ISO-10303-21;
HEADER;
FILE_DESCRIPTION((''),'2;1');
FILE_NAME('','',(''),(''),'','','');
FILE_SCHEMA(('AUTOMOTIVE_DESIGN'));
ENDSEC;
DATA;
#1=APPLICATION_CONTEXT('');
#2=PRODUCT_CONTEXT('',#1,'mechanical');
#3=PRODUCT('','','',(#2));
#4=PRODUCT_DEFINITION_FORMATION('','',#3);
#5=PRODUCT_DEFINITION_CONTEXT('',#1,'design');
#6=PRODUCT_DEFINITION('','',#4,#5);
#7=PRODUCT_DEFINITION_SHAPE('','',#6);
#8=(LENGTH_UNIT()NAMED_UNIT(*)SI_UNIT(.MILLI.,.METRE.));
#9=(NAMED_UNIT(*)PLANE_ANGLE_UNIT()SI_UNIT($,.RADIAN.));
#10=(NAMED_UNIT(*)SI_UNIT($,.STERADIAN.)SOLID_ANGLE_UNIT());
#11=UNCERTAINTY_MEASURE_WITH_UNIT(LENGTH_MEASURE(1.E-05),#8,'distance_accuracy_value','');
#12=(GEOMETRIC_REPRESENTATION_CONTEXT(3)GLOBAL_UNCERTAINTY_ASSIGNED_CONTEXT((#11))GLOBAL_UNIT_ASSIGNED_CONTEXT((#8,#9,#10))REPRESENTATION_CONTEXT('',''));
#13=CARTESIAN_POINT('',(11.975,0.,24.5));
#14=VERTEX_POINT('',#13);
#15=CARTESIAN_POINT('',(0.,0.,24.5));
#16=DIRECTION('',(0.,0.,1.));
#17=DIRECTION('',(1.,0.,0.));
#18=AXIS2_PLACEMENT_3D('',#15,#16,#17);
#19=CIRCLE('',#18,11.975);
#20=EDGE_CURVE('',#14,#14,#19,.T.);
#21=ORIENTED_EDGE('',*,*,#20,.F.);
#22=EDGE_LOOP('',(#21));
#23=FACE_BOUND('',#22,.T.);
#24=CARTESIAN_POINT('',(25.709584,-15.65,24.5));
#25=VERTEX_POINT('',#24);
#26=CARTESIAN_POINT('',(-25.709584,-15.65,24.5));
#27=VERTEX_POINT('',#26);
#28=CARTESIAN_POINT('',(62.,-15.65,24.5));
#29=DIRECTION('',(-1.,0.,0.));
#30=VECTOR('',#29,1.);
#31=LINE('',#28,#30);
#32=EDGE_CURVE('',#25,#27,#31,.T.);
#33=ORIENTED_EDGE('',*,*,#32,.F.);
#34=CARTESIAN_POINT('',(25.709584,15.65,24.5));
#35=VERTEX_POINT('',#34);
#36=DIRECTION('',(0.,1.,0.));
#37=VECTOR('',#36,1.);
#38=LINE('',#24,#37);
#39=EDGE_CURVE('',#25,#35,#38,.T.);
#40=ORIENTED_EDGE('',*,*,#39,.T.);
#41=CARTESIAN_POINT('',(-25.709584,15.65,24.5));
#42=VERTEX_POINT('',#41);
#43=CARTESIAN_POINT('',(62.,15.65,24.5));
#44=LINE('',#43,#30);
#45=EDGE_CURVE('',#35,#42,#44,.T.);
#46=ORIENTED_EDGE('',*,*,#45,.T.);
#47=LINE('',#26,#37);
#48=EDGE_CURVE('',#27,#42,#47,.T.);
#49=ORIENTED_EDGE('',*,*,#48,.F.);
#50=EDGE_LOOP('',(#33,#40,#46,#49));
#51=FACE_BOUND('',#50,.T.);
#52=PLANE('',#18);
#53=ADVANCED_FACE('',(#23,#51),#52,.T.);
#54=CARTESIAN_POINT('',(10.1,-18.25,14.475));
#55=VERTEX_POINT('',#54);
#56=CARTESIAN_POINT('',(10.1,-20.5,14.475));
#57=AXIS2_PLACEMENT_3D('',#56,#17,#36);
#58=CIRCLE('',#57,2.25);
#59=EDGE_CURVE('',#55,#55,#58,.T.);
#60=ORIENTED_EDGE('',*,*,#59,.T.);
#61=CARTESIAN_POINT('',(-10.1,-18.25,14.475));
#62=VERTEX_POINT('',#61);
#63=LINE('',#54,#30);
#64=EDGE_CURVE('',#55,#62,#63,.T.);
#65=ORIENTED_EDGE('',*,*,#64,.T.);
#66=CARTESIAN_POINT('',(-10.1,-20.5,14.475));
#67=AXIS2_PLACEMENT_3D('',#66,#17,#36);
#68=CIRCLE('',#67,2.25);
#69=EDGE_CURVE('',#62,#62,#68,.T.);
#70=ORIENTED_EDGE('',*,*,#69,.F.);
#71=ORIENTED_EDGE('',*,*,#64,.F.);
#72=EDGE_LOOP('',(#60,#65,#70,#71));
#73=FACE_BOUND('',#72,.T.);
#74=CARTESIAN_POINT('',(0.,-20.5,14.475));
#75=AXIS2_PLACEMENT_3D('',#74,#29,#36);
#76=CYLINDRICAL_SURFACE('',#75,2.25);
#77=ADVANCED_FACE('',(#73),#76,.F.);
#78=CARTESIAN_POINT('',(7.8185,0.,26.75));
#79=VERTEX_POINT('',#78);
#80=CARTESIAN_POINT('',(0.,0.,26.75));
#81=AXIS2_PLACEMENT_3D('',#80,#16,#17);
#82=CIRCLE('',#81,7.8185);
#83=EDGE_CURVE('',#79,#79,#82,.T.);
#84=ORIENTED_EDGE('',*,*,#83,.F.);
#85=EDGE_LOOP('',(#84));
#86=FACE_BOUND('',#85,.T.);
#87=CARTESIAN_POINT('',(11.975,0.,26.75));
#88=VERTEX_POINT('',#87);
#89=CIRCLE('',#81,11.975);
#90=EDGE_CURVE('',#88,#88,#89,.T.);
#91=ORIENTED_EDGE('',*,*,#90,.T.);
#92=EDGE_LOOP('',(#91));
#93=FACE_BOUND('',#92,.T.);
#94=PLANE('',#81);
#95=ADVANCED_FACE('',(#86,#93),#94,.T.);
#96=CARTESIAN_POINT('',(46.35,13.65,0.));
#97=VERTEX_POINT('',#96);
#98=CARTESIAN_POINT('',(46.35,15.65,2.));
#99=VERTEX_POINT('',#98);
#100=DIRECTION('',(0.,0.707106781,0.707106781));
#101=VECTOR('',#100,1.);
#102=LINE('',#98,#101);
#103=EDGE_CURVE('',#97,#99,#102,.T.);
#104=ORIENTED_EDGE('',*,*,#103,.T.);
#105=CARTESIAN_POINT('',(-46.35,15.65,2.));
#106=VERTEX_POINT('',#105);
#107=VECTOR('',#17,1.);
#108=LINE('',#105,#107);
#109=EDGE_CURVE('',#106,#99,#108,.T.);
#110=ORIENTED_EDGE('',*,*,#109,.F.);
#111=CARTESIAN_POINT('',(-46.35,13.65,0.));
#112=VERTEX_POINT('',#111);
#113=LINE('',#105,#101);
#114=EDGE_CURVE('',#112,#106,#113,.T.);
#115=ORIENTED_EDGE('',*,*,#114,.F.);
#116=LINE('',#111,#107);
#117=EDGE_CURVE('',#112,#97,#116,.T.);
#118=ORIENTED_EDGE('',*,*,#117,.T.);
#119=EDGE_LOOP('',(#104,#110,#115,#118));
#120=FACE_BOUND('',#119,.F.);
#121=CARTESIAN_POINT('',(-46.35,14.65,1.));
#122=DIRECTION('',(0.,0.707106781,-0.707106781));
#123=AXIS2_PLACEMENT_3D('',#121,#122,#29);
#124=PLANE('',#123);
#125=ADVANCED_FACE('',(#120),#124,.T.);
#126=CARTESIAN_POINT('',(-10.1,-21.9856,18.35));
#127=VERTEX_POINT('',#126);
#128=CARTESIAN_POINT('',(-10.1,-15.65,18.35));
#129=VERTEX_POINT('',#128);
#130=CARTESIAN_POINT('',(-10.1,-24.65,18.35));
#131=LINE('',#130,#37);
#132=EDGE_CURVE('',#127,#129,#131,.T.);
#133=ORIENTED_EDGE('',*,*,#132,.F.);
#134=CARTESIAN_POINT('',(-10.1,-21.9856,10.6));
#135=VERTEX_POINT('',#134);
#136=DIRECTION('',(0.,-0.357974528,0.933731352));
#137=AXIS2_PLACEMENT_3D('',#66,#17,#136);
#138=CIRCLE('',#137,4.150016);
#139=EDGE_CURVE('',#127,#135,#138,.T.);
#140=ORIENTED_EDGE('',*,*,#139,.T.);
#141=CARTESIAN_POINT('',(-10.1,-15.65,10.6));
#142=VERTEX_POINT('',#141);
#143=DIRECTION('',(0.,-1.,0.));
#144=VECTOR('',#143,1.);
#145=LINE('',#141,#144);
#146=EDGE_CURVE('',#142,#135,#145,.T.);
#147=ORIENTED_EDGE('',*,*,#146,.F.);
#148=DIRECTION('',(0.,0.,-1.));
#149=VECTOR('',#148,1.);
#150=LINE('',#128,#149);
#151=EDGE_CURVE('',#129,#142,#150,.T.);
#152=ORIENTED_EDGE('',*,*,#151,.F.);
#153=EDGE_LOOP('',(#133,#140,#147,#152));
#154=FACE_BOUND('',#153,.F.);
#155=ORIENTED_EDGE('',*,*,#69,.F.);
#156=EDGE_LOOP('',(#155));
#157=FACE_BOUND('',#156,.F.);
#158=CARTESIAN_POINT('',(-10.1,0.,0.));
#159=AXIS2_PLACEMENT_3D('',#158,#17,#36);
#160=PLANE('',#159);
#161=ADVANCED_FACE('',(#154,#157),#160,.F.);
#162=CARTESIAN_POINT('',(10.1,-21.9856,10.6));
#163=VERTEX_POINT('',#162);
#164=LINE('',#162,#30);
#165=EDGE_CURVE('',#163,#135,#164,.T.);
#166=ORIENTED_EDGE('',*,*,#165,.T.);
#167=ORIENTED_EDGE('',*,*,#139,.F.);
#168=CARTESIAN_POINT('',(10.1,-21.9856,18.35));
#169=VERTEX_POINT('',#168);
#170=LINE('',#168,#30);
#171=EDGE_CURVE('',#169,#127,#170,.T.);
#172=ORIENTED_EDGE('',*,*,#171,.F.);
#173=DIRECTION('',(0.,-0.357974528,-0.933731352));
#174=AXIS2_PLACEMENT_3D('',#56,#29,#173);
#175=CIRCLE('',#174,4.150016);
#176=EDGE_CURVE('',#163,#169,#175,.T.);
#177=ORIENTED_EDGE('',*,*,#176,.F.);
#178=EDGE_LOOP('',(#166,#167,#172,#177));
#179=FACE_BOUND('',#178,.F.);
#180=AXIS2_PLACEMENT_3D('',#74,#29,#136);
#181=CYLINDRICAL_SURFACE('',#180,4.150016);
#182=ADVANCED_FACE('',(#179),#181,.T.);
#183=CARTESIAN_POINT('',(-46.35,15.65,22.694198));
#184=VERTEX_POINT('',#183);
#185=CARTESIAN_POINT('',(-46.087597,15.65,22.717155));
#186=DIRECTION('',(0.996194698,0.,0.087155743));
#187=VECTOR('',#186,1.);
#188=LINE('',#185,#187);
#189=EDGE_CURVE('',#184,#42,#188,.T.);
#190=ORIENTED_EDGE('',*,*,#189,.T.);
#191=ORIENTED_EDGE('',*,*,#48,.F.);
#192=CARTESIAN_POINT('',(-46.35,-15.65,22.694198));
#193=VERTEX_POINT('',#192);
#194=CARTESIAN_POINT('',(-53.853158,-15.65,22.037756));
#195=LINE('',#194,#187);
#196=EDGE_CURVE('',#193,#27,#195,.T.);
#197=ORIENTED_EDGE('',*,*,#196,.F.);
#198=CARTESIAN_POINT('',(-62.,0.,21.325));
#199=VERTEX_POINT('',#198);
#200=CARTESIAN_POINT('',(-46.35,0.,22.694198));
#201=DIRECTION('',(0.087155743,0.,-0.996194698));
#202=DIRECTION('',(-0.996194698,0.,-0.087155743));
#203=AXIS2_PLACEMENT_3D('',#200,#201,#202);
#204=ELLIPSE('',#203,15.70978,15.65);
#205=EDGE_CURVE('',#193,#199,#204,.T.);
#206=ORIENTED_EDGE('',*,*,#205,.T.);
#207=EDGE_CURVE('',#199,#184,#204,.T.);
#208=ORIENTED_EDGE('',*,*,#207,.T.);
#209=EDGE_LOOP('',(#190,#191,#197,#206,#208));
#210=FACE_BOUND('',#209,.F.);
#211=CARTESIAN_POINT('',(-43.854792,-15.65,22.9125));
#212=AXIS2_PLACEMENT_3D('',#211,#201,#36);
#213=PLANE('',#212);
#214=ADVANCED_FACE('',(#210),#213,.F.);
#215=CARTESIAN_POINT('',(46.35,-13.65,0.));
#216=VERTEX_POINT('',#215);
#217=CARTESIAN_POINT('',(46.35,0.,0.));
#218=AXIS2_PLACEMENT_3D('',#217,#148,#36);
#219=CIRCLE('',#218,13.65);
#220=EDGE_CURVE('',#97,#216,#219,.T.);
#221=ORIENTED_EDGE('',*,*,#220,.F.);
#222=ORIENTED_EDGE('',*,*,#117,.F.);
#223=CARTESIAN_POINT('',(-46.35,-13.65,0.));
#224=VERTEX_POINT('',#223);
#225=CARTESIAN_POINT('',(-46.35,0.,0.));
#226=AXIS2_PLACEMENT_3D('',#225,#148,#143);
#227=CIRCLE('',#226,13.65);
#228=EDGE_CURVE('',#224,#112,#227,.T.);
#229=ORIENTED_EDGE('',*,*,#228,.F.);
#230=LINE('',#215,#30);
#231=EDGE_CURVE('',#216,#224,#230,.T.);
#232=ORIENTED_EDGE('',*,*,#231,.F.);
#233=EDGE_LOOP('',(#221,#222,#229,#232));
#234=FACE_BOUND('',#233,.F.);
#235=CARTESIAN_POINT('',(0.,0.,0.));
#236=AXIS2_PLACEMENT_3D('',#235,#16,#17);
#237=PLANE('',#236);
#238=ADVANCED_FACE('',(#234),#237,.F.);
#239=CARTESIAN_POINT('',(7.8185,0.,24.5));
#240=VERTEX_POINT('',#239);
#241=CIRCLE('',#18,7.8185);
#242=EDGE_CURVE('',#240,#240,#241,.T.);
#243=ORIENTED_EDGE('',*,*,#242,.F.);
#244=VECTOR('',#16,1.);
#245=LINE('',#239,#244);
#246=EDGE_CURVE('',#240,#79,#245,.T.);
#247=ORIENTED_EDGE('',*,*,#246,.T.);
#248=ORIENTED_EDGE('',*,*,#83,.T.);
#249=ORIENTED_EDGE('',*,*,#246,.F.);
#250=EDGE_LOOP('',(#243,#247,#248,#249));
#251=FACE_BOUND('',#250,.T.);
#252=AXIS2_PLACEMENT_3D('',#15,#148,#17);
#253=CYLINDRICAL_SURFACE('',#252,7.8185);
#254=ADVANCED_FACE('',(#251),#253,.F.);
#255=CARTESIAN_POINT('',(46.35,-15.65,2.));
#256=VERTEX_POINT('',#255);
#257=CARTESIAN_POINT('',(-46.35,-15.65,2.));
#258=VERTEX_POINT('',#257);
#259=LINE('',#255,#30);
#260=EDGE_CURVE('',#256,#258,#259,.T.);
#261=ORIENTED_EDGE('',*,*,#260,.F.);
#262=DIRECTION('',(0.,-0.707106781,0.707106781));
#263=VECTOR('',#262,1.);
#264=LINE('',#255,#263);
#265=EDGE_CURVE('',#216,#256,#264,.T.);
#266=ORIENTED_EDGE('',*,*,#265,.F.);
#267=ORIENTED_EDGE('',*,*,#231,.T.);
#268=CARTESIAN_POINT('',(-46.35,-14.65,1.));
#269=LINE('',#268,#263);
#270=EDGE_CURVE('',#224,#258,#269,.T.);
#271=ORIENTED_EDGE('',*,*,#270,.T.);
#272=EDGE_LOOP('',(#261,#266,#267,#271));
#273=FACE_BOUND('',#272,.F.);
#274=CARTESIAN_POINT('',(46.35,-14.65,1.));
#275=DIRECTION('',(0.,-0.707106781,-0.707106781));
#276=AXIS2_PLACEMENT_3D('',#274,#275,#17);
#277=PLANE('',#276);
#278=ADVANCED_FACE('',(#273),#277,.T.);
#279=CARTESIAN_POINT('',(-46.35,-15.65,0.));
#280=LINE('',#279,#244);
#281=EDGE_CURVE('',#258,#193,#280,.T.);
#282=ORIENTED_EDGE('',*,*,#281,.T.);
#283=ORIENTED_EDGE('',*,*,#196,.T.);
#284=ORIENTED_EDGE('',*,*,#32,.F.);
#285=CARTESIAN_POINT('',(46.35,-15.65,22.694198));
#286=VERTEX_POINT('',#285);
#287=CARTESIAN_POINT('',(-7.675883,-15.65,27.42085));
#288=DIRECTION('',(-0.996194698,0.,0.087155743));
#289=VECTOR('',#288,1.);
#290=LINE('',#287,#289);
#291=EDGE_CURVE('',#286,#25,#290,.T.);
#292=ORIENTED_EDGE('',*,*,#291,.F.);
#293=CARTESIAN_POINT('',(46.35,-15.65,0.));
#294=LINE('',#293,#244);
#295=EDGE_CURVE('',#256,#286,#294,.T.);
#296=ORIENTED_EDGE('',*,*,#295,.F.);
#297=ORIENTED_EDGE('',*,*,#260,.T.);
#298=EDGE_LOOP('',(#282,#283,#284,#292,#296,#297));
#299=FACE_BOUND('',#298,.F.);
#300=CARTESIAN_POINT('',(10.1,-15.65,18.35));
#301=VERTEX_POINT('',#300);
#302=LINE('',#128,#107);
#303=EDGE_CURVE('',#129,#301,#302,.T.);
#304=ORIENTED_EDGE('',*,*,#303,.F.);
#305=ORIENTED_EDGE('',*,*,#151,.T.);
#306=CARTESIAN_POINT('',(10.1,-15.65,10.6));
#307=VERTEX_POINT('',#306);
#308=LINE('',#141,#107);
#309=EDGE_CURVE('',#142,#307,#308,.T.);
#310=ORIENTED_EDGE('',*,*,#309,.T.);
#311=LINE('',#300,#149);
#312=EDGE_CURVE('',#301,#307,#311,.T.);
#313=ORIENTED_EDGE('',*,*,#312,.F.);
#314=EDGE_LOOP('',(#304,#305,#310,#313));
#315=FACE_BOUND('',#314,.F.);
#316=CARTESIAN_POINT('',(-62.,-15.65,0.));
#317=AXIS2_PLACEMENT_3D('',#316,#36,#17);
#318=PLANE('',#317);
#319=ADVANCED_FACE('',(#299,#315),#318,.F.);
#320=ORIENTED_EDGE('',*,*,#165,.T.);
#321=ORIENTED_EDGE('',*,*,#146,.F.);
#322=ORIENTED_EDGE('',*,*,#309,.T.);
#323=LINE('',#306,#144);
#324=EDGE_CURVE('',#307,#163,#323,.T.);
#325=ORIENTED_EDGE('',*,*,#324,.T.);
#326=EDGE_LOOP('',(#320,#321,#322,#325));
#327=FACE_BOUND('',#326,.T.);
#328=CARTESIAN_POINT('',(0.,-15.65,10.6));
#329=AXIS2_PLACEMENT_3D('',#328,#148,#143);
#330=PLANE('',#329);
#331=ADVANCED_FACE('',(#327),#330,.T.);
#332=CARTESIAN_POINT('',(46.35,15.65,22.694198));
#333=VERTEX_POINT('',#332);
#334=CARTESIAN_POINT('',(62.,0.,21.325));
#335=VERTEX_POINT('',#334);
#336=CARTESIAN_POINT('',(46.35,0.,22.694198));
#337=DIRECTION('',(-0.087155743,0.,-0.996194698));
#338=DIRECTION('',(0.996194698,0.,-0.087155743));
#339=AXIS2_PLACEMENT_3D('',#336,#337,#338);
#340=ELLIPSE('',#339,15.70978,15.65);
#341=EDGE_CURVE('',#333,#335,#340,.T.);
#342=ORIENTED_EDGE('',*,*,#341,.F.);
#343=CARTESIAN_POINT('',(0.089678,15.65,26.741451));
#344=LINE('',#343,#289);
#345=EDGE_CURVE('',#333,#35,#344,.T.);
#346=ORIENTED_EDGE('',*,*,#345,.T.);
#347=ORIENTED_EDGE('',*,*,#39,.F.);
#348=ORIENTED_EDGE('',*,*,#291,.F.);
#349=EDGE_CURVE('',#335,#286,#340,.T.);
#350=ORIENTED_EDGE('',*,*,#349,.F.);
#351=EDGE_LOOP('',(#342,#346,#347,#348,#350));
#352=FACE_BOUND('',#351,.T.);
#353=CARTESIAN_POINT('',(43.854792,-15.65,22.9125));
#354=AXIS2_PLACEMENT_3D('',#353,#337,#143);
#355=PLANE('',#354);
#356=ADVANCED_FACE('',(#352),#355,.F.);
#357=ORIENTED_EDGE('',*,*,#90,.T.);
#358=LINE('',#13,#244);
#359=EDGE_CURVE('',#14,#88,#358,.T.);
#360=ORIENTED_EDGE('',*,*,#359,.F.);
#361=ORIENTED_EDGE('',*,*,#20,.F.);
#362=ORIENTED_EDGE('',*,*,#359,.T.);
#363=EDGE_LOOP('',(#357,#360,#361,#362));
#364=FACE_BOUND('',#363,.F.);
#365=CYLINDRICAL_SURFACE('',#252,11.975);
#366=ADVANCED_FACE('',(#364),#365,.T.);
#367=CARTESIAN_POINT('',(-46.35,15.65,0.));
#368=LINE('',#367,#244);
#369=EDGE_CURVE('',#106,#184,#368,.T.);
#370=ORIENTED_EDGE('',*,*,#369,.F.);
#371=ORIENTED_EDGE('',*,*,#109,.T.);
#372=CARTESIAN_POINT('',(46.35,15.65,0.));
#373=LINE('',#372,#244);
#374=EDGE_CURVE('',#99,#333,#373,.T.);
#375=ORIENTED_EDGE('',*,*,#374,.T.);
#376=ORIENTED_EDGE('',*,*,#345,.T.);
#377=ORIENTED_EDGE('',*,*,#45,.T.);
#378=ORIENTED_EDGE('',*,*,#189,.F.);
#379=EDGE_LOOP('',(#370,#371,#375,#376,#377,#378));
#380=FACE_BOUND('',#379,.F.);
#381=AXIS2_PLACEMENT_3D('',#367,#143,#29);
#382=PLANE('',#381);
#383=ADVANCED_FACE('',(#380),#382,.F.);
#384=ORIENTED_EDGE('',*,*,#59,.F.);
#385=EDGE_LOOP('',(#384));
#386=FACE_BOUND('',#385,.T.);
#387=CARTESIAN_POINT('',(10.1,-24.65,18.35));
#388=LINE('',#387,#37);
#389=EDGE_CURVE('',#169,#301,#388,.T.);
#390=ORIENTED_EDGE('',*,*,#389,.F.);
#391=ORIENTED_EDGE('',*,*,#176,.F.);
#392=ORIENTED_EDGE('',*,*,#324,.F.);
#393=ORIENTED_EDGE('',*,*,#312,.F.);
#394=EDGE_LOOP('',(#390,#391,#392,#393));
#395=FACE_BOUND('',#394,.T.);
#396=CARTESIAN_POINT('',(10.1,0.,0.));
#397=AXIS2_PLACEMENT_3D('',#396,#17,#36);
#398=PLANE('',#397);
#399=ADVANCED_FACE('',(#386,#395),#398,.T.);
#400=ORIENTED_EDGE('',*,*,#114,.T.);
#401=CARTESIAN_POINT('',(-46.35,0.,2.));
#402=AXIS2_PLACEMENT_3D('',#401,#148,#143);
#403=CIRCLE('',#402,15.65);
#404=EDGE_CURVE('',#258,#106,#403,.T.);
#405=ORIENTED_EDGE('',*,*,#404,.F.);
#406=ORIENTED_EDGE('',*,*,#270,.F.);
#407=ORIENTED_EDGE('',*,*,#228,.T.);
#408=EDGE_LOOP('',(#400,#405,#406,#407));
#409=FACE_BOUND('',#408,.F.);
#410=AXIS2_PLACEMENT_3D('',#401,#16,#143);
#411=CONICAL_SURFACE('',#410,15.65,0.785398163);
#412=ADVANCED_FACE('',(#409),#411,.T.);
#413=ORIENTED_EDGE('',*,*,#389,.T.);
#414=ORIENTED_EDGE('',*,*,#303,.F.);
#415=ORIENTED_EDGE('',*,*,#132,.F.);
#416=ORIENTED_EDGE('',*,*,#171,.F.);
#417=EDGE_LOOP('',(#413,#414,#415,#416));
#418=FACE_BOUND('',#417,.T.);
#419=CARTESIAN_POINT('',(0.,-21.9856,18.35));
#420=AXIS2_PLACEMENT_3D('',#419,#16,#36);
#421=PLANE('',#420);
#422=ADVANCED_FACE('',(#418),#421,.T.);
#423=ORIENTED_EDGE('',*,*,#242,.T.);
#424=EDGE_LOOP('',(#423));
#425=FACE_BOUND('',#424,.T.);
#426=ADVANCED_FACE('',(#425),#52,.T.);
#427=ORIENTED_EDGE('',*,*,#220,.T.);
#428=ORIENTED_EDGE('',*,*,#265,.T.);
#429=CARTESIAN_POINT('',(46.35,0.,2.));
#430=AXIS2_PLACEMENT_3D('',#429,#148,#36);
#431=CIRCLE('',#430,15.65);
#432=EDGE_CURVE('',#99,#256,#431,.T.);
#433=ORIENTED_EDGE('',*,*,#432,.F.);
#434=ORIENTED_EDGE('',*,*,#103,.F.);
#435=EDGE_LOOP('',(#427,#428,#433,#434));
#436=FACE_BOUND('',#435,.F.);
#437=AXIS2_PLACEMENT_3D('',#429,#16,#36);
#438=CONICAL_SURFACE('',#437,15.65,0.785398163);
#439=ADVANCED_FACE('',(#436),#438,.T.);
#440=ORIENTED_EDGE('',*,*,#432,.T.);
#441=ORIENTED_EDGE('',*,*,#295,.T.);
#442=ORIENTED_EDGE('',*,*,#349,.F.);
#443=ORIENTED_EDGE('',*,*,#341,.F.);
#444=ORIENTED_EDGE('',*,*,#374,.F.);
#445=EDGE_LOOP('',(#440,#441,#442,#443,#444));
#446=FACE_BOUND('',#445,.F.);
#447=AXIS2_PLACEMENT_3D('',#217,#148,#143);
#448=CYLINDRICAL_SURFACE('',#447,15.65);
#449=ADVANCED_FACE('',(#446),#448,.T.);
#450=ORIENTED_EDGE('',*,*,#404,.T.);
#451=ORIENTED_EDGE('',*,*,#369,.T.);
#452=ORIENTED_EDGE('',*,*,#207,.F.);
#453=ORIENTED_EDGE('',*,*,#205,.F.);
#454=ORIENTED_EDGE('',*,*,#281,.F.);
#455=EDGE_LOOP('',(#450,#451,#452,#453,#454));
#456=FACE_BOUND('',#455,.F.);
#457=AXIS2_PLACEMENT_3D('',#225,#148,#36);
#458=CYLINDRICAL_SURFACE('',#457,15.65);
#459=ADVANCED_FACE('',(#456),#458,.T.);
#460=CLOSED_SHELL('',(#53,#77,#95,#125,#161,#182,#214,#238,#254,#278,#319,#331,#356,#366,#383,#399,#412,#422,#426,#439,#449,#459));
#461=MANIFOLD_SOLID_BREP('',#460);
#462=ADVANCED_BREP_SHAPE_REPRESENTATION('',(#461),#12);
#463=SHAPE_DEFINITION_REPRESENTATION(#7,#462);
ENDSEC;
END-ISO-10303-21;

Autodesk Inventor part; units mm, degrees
ref_plane "YZ Plane" through (0, 0, 0) normal (1, 0, 0) x (0, 1, 0)
ref_plane "XZ Plane" through (0, 0, 0) normal (0, 1, 0) x (-1, 0, 0)
ref_plane "XY Plane" through (0, 0, 0) normal (0, 0, 1) x (1, 0, 0)
sketch "Sketch1" plane through (0, 0, 0) normal (0, 0, 1) x (1, 0, 0)
  line L0 (-62, -15.65) -> (62, -15.65)
  line L1 (62, -15.65) -> (62, 15.65)
  line L2 (62, 15.65) -> (-62, 15.65)
  line L3 (-62, 15.65) -> (-62, -15.65)
  line L4 (-62, -15.65) -> (62, 15.65) construction
  line L5 (62, -15.65) -> (-62, 15.65) construction
  line L6 (-62, 0) -> (62, 0) construction
  line L7 (-46.35, -15.65) -> (46.35, -15.65)
  line L8 (46.35, 15.65) -> (-46.35, 15.65)
  arc A0 (-46.35, 15.65) -> (-46.35, -15.65) centre (-46.35, 0) ccw
  arc A1 (46.35, -15.65) -> (46.35, 15.65) centre (46.35, 0) ccw
  point P0 (0, 0)
  point P1 (0, 0)
  point P2 (-62, 0)
  point P3 (-46.35, 15.65)
  point P4 (62, 0)
  point P5 (46.35, -15.65)
  dimension "d0" = 124
  dimension "d1" = 31.3
extrude "Extrusion1" add sketch "Sketch1" along normal blind 24.5
sketch "Sketch2" plane through (0, 0, 24.5) normal (0, 0, 1) x (1, 0, 0)
  circle A0 centre (0, 0) radius 11.975
  circle A1 centre (0, 0) radius 7.8185
  dimension "d4" = 23.95
extrude "Extrusion2" add sketch "Sketch2" along normal blind 2.25
chamfer "Chamfer1" distance 3.175 angle 85 1 edges at (62, 0, 24.5) measured on face at (62, -5.2167, 8.1667)
chamfer "Chamfer2" distance 3.175 angle 85 1 edges at (-62, 0, 24.5) measured on face at (-62, 5.2167, 8.1667)
extrude "Extrusion3" cut sketch "Sketch1" along normal blind 24.5 contours L3 A0 L0 | L3 L2 A0 | A1 L1 L0 | A1 L2 L1
chamfer "Chamfer3" distance 2 angle 45 2 edges at (62, 0, 0) (-62, 0, 0)
sketch "Sketch4" plane through (0, 0, 0) normal (1, 0, 0) x (0, 1, 0)
  line L0 (15.65, 24.5) -> (-15.65, 24.5) construction
  line L1 (-15.65, 24.5) -> (-15.65, 0) construction
  line L2 (-15.65, 10.6) -> (-24.65, 10.6)
  line L3 (-24.65, 10.6) -> (-24.65, 18.35)
  line L4 (-24.65, 18.35) -> (-15.65, 18.35)
  line L5 (-15.65, 18.35) -> (-15.65, 10.6)
  circle A0 centre (-20.5, 14.475) radius 2.25
  arc A1 (-21.9856, 18.35) -> (-21.9856, 10.6) centre (-20.5, 14.475) ccw
  line L6 (-15.65, 14.475) -> (-24.65, 14.475) construction
  point P0 (0, 0)
  point P1 (-13.65, 0)
  point P2 (-15.65, 2)
  dimension "d19" = 10.6
  dimension "d20" = 9
  dimension "d21" = 7.75
  dimension "d22" = 4.5
  dimension "d23" = 1.9
extrude "Extrusion4" add sketch "Sketch4" along normal mid plane 20.2 contours L2 A1 L4 L5
properties part number "Emeet_Camera"
